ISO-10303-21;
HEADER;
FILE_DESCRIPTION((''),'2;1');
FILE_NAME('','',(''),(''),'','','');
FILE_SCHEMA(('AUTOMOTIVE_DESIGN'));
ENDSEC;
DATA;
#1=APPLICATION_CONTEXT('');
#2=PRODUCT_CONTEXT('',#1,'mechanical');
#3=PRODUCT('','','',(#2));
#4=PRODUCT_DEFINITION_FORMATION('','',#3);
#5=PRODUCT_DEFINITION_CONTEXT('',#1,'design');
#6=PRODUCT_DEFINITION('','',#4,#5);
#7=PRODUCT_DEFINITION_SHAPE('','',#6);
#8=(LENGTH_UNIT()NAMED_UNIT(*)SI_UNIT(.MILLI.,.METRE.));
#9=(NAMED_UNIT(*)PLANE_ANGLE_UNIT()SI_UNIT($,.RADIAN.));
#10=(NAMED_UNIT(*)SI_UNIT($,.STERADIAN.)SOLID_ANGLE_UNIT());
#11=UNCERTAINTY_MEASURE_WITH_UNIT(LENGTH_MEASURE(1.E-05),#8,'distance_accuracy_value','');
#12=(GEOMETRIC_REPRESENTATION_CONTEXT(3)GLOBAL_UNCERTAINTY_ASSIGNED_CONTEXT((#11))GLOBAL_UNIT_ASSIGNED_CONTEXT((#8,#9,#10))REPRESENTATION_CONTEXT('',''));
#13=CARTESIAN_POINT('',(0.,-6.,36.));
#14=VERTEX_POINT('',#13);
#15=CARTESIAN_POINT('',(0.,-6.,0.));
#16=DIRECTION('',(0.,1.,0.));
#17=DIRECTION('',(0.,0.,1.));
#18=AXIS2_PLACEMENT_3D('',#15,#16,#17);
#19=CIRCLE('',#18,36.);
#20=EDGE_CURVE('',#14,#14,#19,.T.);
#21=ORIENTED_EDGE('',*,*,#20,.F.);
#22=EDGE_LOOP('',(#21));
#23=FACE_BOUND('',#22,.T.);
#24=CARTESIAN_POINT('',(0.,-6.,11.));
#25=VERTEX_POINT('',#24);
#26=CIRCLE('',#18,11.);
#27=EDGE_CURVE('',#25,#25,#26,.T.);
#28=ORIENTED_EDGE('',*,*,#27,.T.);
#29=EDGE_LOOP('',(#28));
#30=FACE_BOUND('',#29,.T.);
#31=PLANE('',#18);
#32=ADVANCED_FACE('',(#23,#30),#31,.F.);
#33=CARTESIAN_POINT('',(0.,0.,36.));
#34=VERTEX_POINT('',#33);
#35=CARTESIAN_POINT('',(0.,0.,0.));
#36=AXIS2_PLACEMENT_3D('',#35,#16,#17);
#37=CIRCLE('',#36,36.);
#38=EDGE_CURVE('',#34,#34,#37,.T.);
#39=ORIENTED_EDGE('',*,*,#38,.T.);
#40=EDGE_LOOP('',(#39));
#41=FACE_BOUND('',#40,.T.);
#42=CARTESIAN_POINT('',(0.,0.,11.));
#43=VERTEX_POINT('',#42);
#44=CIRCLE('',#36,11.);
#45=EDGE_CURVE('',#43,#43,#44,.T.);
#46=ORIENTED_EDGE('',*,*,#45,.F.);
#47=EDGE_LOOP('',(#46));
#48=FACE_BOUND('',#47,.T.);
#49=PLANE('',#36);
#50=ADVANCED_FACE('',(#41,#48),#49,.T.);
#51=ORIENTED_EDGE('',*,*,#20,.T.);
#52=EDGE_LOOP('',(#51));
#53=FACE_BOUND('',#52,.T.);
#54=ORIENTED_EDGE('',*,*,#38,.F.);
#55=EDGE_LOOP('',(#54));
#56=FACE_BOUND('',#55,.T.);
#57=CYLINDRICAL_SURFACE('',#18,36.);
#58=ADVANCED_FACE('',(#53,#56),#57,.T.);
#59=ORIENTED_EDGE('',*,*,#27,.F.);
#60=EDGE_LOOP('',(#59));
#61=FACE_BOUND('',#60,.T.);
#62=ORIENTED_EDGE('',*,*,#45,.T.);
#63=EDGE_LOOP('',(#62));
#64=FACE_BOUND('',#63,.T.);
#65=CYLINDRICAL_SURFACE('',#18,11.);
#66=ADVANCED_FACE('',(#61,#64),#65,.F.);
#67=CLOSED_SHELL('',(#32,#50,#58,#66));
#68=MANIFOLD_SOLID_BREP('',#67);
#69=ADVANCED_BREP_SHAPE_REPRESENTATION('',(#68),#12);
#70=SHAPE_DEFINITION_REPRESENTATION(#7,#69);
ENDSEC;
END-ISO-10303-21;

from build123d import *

# Parameters (mm, degrees)
SKETCH1_R          = 36
BASE_EXTRUDE_DEPTH = 6
SKETCH2_R          = 11
TYPE_R_DEPTH       = 52.264022472


with BuildPart() as part:
    # Sketch1 → Base-Extrude (new body)
    with BuildSketch(Plane(origin=(0, 0, 0), x_dir=(1, 0, 0), z_dir=(0, 1, 0))):
        with Locations(Location((0, 0, 0), (0, 0, 270))):
            Circle(SKETCH1_R)
    extrude(amount=-BASE_EXTRUDE_DEPTH)

    # Sketch2 → Type-R (cut, through all)
    with BuildSketch(Plane(origin=(0, 0, 0), x_dir=(-1, 0, 0), z_dir=(0, 1, 0))):
        with Locations(Location((0, 0, 0), (0, 0, 90))):
            Circle(SKETCH2_R)
    extrude(amount=-TYPE_R_DEPTH, mode=Mode.SUBTRACT)


solid = part.part
